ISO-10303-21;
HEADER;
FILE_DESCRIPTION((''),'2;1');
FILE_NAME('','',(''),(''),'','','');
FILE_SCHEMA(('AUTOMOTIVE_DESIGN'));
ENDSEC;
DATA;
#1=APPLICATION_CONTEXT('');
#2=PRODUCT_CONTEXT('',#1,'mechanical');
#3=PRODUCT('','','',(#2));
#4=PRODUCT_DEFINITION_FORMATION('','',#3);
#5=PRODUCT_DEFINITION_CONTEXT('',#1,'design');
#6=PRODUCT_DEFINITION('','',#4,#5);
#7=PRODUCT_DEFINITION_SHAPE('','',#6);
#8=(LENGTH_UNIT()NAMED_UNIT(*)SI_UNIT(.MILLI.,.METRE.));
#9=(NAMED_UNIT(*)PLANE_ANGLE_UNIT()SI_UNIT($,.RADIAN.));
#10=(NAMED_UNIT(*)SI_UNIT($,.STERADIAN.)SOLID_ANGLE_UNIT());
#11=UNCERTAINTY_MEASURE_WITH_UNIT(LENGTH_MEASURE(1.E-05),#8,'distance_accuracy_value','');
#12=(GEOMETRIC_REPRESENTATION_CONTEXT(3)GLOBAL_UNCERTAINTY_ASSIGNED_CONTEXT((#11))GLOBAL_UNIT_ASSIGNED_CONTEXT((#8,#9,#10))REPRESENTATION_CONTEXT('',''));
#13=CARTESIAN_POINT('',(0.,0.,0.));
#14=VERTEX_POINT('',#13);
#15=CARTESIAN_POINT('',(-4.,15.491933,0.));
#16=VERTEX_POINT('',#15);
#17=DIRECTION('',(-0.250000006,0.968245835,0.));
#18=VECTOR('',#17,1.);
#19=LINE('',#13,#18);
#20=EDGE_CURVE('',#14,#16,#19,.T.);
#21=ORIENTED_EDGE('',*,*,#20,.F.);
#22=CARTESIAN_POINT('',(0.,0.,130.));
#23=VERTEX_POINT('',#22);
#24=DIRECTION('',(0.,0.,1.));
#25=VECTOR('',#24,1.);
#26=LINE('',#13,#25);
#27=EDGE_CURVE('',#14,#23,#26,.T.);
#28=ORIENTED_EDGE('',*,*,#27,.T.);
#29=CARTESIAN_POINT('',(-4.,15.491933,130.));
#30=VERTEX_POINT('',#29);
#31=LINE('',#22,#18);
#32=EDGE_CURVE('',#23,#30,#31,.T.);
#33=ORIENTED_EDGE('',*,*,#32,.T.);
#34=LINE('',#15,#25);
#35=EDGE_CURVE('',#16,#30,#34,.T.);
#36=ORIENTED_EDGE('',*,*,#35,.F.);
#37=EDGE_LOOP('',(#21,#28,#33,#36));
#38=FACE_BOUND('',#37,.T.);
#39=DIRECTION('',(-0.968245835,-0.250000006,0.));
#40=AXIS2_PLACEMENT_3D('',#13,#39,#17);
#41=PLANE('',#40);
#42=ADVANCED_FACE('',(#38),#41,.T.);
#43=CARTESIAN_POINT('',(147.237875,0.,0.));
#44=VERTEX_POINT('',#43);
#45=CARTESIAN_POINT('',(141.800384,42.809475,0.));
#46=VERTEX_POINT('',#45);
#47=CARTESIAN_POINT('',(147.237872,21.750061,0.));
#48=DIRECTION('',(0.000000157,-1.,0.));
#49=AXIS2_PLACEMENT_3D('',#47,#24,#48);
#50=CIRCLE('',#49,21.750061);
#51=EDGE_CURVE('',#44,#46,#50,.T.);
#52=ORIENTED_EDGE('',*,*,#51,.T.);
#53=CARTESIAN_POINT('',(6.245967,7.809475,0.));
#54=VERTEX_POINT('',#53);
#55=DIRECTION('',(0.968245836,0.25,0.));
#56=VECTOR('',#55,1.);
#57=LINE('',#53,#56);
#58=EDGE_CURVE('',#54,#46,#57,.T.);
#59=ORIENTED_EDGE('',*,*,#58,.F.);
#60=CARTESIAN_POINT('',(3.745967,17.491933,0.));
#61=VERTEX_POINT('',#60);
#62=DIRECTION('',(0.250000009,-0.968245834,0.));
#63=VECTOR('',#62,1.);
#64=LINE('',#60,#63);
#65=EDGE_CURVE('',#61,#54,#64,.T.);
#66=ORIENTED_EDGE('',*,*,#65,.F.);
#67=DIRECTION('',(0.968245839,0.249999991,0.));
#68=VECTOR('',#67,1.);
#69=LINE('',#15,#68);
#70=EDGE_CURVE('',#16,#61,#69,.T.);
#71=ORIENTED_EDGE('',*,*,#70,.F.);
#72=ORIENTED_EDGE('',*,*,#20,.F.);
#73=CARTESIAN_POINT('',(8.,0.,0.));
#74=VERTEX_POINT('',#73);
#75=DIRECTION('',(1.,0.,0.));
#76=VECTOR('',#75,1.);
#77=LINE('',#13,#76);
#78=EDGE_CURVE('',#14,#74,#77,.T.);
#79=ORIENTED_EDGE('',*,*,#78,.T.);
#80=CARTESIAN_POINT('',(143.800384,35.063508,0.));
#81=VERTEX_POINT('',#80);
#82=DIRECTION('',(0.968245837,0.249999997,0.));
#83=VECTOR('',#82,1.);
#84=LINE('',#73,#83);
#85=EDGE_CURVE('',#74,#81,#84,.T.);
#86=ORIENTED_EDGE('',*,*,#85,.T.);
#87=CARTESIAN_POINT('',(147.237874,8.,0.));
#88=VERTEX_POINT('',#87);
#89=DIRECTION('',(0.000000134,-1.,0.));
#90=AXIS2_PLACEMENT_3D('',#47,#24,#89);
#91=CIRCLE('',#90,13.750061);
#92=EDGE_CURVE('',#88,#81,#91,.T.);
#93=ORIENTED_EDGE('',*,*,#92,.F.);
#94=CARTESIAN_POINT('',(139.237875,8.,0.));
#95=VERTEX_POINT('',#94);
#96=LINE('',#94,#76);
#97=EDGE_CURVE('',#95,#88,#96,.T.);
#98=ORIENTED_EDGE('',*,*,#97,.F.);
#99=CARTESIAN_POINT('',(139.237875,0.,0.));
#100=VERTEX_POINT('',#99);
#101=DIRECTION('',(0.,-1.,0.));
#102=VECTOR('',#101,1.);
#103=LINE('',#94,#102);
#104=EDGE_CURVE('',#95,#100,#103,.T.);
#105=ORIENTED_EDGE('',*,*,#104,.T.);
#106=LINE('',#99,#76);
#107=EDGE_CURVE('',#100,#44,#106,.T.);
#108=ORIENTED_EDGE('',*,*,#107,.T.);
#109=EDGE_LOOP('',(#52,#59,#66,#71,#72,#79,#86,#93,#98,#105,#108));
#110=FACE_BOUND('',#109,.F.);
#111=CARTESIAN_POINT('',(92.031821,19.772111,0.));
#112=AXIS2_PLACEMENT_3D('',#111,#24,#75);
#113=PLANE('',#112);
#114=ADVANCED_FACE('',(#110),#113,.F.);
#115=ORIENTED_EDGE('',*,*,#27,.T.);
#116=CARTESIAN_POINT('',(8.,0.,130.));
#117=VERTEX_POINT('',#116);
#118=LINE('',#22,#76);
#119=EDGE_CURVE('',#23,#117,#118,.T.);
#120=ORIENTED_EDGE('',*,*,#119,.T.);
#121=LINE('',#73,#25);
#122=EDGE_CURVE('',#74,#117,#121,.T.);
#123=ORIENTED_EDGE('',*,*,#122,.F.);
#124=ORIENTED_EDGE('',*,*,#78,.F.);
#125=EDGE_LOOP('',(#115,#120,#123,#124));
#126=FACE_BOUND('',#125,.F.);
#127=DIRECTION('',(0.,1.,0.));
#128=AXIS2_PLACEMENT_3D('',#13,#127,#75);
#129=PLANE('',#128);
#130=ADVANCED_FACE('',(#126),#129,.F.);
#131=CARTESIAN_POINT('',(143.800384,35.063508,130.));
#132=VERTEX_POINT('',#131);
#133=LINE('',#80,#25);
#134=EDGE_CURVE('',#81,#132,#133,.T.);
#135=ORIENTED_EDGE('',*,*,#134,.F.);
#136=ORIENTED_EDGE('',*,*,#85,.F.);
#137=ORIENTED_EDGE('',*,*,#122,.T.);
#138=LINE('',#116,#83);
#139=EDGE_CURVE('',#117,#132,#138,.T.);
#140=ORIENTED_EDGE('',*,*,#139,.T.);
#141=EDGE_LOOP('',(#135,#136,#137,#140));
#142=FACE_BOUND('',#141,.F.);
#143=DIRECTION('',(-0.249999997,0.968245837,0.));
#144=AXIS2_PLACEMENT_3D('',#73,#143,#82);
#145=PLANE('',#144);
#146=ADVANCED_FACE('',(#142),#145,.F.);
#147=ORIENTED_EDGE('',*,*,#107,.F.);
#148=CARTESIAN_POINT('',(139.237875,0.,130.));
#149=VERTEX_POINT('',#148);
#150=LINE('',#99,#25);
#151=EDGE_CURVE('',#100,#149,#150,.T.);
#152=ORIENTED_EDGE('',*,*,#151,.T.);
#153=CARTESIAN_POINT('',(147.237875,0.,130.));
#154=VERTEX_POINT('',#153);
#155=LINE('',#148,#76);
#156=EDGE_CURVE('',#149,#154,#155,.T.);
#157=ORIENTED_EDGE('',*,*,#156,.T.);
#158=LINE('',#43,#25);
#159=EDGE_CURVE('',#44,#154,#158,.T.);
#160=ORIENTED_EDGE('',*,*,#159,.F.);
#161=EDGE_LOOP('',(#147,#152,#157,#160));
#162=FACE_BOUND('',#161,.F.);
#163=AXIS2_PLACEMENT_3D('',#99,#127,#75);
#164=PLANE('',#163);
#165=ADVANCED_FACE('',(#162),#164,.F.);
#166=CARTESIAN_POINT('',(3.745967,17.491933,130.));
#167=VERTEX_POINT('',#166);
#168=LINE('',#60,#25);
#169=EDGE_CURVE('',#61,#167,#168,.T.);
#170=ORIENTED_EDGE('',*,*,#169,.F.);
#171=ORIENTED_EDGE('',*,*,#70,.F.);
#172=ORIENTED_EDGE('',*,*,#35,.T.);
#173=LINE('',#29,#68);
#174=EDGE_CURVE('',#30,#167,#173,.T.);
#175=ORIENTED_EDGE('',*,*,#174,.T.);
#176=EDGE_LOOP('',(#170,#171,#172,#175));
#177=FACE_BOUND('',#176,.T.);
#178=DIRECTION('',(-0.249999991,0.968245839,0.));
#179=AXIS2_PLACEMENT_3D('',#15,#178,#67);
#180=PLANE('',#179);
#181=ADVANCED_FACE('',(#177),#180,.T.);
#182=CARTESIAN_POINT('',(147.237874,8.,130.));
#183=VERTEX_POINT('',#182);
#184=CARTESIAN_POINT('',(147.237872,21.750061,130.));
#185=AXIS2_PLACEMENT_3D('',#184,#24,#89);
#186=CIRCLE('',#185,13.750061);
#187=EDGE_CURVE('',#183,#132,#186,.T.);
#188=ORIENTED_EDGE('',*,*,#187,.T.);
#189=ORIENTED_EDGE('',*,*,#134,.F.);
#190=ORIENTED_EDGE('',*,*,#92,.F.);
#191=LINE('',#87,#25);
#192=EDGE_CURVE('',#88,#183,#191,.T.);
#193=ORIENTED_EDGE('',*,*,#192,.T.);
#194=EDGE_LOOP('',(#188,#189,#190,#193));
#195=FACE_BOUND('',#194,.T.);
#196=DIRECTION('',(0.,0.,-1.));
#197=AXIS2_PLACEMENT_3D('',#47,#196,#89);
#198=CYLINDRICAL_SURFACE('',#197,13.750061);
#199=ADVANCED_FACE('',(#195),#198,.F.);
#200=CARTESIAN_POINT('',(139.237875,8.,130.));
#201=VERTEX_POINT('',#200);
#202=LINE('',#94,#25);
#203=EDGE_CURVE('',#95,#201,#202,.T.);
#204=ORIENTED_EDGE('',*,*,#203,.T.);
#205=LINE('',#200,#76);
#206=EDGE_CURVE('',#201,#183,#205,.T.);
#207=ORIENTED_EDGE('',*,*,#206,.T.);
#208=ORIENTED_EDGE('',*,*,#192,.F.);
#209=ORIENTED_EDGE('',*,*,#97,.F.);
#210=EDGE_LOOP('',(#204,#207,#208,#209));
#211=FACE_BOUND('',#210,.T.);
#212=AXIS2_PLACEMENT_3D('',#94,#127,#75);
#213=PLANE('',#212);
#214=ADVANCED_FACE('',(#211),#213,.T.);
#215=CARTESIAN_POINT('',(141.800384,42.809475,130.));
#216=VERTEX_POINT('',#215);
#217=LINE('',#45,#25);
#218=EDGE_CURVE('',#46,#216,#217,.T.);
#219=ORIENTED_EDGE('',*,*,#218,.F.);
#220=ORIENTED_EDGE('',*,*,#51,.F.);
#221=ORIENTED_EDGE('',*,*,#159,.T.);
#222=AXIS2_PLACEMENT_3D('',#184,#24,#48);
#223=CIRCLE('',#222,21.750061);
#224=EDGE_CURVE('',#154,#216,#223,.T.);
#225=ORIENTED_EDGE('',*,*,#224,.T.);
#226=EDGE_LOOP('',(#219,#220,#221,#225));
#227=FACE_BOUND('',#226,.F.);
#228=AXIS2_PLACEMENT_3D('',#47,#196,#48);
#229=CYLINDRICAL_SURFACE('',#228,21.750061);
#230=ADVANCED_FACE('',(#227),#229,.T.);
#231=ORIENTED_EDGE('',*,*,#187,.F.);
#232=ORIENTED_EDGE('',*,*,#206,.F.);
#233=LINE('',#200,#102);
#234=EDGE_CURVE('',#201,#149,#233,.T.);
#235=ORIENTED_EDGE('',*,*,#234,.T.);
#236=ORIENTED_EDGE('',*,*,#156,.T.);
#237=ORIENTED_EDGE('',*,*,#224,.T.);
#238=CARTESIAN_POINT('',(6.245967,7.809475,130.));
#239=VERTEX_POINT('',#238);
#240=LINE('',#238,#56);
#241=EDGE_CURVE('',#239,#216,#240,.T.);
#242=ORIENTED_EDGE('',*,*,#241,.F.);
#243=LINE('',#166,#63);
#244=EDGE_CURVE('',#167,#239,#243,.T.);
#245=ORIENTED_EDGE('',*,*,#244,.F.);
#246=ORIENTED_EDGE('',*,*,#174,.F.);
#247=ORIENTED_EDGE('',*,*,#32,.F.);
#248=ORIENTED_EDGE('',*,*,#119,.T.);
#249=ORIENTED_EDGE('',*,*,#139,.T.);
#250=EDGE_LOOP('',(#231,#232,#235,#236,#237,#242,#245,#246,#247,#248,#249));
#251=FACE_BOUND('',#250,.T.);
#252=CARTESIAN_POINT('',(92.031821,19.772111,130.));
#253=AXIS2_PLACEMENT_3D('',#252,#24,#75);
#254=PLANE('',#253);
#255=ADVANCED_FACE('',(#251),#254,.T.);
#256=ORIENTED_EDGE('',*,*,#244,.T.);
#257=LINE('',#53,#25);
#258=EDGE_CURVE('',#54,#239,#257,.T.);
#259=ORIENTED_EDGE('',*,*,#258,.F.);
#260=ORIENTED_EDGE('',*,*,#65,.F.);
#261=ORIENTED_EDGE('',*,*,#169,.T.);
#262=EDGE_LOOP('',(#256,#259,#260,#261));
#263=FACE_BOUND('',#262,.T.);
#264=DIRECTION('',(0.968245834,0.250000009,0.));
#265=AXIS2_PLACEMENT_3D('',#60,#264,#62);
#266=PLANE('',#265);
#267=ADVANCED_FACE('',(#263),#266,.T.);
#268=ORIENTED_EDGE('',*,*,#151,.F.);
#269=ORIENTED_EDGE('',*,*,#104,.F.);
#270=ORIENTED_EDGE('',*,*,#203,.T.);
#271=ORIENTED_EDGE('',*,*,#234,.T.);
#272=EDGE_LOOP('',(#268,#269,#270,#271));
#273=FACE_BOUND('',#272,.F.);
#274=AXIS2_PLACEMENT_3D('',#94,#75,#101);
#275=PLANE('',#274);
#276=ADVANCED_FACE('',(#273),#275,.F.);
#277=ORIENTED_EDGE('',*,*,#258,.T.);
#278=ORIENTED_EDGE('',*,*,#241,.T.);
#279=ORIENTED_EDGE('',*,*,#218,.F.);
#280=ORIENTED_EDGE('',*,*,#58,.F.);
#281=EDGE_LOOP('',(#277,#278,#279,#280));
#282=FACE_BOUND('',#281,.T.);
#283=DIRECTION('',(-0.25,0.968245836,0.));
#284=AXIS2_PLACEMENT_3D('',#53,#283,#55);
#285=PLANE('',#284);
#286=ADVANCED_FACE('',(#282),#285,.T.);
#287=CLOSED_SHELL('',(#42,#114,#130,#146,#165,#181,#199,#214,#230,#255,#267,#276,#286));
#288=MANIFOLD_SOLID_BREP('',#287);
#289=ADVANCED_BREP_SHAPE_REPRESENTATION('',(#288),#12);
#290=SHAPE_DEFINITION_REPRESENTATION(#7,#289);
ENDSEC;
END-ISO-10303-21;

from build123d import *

# Parameters (mm, degrees)
PAD_DEPTH = 130


with BuildPart() as part:
    # Sketch → Pad (new body)
    with BuildSketch(Plane.XY):
        with BuildLine():
            Line((0, 0), (8, 0))
            Line((8, 0), (143.800384, 35.063508))
            ThreePointArc((147.237874, 8), (160.878343, 23.482615), (143.800384, 35.063508))
            Line((139.237875, 8), (147.237874, 8))
            Line((139.237875, 8), (139.237875, 0))
            Line((139.237875, 0), (147.237875, 0))
            ThreePointArc((147.237875, 0), (168.81458, 24.49065), (141.800384, 42.809475))
            Line((6.245967, 7.809475), (141.800384, 42.809475))
            Line((3.745967, 17.491933), (6.245967, 7.809475))
            Line((-4, 15.491933), (3.745967, 17.491933))
            Line((0, 0), (-4, 15.491933))
        make_face()
    extrude(amount=PAD_DEPTH)


solid = part.part
